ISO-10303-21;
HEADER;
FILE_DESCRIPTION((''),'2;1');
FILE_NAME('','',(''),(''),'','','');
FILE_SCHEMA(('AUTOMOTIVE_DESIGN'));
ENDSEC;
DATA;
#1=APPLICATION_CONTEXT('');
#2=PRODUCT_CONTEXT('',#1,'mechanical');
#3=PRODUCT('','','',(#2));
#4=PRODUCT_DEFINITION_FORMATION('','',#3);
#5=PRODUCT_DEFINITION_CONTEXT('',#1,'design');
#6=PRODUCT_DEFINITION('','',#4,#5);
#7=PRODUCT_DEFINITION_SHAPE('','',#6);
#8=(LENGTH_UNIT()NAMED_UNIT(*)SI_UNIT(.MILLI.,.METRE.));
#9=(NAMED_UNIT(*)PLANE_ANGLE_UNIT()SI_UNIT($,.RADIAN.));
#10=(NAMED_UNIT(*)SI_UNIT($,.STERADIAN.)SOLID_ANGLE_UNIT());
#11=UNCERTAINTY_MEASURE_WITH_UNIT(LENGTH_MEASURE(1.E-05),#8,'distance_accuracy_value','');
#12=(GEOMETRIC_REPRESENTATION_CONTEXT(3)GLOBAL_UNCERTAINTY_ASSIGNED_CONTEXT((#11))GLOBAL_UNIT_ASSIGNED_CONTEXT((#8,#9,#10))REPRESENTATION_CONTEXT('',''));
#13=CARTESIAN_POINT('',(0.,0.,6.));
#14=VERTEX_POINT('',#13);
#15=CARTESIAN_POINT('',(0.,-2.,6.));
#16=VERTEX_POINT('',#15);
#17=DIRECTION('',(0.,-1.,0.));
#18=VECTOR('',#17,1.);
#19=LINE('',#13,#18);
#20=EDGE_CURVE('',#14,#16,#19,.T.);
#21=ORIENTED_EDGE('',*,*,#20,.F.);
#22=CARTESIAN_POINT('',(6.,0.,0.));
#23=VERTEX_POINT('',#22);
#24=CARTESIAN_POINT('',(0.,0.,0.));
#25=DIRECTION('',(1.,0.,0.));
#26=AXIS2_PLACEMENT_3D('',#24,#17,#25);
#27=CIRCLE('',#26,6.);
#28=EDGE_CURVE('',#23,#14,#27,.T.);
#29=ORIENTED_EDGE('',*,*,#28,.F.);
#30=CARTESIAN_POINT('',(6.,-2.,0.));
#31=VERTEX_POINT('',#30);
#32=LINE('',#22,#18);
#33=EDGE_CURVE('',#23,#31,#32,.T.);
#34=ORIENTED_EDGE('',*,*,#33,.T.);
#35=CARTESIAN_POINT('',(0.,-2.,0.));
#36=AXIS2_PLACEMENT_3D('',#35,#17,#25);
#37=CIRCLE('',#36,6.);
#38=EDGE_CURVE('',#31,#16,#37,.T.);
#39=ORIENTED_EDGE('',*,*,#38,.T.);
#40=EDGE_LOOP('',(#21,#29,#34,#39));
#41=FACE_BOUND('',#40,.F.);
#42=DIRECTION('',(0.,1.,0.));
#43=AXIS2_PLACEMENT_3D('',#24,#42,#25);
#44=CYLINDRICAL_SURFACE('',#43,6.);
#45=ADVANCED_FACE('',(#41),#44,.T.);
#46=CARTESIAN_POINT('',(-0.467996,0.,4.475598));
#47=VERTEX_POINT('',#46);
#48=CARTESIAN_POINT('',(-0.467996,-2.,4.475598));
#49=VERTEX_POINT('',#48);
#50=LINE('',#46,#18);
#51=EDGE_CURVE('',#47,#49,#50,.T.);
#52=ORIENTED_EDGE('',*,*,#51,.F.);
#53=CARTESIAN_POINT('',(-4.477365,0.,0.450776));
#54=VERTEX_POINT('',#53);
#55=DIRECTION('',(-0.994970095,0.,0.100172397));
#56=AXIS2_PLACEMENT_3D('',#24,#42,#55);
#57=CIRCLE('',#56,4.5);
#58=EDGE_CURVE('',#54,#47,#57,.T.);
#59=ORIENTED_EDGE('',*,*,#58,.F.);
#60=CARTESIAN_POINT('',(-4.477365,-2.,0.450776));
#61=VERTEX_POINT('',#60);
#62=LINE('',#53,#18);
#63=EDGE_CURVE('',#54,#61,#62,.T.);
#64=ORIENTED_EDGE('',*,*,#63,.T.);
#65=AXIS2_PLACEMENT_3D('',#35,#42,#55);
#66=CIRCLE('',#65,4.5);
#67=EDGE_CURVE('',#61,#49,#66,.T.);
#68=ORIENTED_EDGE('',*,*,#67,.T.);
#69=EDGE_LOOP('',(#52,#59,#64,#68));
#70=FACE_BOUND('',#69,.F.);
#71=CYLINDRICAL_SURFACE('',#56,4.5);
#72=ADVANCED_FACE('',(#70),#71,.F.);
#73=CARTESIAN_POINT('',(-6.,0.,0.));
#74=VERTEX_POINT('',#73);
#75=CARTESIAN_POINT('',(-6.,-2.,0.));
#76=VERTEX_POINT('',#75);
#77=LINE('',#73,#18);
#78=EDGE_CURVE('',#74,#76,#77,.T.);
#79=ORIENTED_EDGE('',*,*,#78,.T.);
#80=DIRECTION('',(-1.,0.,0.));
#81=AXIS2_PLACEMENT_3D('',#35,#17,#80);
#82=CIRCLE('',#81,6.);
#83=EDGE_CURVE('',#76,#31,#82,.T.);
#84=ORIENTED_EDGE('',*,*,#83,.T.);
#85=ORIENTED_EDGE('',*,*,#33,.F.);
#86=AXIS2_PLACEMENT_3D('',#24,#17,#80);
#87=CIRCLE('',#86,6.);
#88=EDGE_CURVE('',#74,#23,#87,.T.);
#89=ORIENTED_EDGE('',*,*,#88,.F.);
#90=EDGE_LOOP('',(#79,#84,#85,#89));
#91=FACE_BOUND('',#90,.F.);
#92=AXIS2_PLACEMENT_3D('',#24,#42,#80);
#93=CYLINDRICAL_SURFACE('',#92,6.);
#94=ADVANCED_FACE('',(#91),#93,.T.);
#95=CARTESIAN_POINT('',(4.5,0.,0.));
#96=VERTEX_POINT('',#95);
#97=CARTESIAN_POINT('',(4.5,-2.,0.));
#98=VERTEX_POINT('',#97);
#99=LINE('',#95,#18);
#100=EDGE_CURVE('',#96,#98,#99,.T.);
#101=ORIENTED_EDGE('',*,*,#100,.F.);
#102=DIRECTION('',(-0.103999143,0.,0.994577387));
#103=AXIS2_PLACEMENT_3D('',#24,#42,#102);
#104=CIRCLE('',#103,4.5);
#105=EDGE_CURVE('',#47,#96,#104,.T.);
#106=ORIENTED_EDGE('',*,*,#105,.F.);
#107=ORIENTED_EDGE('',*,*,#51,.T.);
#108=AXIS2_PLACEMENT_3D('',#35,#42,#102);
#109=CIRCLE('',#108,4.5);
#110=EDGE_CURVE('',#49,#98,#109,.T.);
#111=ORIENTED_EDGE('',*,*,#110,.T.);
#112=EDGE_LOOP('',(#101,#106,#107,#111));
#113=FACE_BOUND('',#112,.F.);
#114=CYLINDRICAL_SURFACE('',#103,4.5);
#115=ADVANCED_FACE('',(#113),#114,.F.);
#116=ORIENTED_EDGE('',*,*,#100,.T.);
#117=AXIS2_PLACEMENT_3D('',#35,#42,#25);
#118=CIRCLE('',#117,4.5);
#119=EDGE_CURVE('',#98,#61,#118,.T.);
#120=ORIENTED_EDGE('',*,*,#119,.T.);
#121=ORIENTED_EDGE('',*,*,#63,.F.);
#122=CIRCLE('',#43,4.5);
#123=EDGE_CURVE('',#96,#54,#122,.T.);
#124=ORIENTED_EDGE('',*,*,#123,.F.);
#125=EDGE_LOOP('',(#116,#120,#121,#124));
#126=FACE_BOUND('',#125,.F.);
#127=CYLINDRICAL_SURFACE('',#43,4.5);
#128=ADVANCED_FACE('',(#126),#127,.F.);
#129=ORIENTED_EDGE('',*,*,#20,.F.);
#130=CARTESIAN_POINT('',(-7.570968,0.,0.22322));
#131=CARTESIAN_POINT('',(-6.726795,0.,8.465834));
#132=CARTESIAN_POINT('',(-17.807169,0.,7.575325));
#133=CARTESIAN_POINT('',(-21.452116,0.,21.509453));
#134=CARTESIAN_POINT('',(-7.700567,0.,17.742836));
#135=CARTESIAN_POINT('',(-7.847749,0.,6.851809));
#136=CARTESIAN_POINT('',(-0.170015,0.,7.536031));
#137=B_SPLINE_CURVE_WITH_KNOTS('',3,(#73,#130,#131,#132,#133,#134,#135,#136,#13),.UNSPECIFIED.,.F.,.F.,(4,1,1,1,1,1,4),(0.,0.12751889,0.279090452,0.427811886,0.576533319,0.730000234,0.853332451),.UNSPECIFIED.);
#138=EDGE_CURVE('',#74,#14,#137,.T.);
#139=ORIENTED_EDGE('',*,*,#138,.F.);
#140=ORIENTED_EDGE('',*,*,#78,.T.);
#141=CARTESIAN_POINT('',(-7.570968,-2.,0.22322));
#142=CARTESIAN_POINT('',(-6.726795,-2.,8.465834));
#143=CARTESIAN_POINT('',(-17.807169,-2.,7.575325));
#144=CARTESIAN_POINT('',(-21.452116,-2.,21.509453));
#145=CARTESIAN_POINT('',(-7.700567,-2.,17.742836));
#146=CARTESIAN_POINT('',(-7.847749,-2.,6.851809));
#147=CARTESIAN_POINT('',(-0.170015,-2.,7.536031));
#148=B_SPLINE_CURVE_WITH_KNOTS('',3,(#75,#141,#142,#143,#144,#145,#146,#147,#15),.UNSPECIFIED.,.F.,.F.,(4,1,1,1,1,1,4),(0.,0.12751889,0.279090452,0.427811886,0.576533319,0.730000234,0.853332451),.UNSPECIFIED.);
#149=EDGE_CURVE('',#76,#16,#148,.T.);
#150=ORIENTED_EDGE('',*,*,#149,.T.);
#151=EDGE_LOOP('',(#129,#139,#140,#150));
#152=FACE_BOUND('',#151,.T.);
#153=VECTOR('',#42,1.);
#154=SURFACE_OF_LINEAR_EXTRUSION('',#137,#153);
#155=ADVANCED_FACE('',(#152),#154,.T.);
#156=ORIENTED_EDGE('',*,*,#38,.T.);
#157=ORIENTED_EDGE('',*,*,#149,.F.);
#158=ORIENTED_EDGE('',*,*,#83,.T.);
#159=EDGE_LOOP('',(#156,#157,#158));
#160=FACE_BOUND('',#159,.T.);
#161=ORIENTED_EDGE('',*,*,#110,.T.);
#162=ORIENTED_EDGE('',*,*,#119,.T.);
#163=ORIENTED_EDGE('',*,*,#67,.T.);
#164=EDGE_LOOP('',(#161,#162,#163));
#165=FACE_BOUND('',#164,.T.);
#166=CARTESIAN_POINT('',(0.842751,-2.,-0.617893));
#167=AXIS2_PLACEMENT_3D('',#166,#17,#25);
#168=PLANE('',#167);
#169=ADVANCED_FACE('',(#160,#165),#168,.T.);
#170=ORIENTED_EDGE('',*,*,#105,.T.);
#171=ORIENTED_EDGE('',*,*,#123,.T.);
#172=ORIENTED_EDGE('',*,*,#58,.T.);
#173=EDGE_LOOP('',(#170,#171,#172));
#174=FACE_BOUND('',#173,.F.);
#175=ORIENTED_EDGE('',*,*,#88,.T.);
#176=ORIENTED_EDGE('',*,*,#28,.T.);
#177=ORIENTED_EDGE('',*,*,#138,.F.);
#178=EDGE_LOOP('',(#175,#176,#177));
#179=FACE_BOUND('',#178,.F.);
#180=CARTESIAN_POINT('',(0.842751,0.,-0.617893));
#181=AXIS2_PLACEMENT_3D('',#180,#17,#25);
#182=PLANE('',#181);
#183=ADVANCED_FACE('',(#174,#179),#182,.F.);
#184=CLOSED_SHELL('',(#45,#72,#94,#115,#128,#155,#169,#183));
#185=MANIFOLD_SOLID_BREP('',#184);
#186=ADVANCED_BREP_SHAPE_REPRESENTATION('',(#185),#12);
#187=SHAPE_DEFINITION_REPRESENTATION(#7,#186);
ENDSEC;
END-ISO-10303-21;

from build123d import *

# Parameters (mm, degrees)
F1_DEPTH = 2


with BuildPart() as f1:
    # F0 (on Front) → F1 (new body)
    with BuildSketch(Plane.XZ):
        with BuildLine():
            ThreePointArc((-0.4679961449, 4.4755982403), (3.0119775354, 3.3433503146), (4.5, 0))
            ThreePointArc((4.5, 0), (-0.2256718494, -4.4943377951), (-4.4773654295, 0.4507757875))
            add(Edge.make_bspline(
                [(-4.4773654295, 0.4507757875), (-5.0609188872, 0.1200553874), (-5.595364952, -0.0574948845), (-6, 0)],
                knots=[0.9671549028, 0.9671549028, 0.9671549028, 0.9671549028, 1, 1, 1, 1], degree=3))
            ThreePointArc((-6, 0), (0, -6), (6, 0))
            ThreePointArc((6, 0), (4.2426406871, 4.2426406871), (0, 6))
            add(Edge.make_bspline(
                [(0, 6), (0.0449537101, 5.5938577162), (-0.1373734004, 5.059013247), (-0.4679961449, 4.4755982403)],
                knots=[0.8533324508, 0.8533324508, 0.8533324508, 0.8533324508, 0.8859427479, 0.8859427479, 0.8859427479, 0.8859427479], degree=3))
        make_face()
        with BuildLine():
            ThreePointArc((-4.4773654295, 0.4507757875), (-3.1880949201, 3.1758543387), (-0.4679961449, 4.4755982403))
            add(Edge.make_bspline(
                [(0, 6), (0.0449537101, 5.5938577162), (-0.1373734004, 5.059013247), (-0.4679961449, 4.4755982403)],
                knots=[0.8533324508, 0.8533324508, 0.8533324508, 0.8533324508, 0.8859427479, 0.8859427479, 0.8859427479, 0.8859427479], degree=3))
            ThreePointArc((0, 6), (-4.2426406871, 4.2426406871), (-6, 0))
            add(Edge.make_bspline(
                [(-4.4773654295, 0.4507757875), (-5.0609188872, 0.1200553874), (-5.595364952, -0.0574948845), (-6, 0)],
                knots=[0.9671549028, 0.9671549028, 0.9671549028, 0.9671549028, 1, 1, 1, 1], degree=3))
        make_face()
        with BuildLine():
            ThreePointArc((-6, 0), (-4.2426406871, 4.2426406871), (0, 6))
            add(Edge.make_bspline(
                [(-6, 0), (-7.5709684679, 0.2232200375), (-6.7267953898, 8.465833757), (-17.8071694003, 7.5753246707), (-21.4521158816, 21.50945304), (-7.7005673572, 17.7428364419), (-7.8477493192, 6.8518089187), (-0.170015032, 7.5360310226), (0, 6)],
                knots=[0, 0, 0, 0, 0.1275188897, 0.2790904523, 0.4278118857, 0.5765333191, 0.7300002345, 0.8533324508, 0.8533324508, 0.8533324508, 0.8533324508], degree=3))
        make_face()
    extrude(amount=F1_DEPTH)


solid = f1.part
